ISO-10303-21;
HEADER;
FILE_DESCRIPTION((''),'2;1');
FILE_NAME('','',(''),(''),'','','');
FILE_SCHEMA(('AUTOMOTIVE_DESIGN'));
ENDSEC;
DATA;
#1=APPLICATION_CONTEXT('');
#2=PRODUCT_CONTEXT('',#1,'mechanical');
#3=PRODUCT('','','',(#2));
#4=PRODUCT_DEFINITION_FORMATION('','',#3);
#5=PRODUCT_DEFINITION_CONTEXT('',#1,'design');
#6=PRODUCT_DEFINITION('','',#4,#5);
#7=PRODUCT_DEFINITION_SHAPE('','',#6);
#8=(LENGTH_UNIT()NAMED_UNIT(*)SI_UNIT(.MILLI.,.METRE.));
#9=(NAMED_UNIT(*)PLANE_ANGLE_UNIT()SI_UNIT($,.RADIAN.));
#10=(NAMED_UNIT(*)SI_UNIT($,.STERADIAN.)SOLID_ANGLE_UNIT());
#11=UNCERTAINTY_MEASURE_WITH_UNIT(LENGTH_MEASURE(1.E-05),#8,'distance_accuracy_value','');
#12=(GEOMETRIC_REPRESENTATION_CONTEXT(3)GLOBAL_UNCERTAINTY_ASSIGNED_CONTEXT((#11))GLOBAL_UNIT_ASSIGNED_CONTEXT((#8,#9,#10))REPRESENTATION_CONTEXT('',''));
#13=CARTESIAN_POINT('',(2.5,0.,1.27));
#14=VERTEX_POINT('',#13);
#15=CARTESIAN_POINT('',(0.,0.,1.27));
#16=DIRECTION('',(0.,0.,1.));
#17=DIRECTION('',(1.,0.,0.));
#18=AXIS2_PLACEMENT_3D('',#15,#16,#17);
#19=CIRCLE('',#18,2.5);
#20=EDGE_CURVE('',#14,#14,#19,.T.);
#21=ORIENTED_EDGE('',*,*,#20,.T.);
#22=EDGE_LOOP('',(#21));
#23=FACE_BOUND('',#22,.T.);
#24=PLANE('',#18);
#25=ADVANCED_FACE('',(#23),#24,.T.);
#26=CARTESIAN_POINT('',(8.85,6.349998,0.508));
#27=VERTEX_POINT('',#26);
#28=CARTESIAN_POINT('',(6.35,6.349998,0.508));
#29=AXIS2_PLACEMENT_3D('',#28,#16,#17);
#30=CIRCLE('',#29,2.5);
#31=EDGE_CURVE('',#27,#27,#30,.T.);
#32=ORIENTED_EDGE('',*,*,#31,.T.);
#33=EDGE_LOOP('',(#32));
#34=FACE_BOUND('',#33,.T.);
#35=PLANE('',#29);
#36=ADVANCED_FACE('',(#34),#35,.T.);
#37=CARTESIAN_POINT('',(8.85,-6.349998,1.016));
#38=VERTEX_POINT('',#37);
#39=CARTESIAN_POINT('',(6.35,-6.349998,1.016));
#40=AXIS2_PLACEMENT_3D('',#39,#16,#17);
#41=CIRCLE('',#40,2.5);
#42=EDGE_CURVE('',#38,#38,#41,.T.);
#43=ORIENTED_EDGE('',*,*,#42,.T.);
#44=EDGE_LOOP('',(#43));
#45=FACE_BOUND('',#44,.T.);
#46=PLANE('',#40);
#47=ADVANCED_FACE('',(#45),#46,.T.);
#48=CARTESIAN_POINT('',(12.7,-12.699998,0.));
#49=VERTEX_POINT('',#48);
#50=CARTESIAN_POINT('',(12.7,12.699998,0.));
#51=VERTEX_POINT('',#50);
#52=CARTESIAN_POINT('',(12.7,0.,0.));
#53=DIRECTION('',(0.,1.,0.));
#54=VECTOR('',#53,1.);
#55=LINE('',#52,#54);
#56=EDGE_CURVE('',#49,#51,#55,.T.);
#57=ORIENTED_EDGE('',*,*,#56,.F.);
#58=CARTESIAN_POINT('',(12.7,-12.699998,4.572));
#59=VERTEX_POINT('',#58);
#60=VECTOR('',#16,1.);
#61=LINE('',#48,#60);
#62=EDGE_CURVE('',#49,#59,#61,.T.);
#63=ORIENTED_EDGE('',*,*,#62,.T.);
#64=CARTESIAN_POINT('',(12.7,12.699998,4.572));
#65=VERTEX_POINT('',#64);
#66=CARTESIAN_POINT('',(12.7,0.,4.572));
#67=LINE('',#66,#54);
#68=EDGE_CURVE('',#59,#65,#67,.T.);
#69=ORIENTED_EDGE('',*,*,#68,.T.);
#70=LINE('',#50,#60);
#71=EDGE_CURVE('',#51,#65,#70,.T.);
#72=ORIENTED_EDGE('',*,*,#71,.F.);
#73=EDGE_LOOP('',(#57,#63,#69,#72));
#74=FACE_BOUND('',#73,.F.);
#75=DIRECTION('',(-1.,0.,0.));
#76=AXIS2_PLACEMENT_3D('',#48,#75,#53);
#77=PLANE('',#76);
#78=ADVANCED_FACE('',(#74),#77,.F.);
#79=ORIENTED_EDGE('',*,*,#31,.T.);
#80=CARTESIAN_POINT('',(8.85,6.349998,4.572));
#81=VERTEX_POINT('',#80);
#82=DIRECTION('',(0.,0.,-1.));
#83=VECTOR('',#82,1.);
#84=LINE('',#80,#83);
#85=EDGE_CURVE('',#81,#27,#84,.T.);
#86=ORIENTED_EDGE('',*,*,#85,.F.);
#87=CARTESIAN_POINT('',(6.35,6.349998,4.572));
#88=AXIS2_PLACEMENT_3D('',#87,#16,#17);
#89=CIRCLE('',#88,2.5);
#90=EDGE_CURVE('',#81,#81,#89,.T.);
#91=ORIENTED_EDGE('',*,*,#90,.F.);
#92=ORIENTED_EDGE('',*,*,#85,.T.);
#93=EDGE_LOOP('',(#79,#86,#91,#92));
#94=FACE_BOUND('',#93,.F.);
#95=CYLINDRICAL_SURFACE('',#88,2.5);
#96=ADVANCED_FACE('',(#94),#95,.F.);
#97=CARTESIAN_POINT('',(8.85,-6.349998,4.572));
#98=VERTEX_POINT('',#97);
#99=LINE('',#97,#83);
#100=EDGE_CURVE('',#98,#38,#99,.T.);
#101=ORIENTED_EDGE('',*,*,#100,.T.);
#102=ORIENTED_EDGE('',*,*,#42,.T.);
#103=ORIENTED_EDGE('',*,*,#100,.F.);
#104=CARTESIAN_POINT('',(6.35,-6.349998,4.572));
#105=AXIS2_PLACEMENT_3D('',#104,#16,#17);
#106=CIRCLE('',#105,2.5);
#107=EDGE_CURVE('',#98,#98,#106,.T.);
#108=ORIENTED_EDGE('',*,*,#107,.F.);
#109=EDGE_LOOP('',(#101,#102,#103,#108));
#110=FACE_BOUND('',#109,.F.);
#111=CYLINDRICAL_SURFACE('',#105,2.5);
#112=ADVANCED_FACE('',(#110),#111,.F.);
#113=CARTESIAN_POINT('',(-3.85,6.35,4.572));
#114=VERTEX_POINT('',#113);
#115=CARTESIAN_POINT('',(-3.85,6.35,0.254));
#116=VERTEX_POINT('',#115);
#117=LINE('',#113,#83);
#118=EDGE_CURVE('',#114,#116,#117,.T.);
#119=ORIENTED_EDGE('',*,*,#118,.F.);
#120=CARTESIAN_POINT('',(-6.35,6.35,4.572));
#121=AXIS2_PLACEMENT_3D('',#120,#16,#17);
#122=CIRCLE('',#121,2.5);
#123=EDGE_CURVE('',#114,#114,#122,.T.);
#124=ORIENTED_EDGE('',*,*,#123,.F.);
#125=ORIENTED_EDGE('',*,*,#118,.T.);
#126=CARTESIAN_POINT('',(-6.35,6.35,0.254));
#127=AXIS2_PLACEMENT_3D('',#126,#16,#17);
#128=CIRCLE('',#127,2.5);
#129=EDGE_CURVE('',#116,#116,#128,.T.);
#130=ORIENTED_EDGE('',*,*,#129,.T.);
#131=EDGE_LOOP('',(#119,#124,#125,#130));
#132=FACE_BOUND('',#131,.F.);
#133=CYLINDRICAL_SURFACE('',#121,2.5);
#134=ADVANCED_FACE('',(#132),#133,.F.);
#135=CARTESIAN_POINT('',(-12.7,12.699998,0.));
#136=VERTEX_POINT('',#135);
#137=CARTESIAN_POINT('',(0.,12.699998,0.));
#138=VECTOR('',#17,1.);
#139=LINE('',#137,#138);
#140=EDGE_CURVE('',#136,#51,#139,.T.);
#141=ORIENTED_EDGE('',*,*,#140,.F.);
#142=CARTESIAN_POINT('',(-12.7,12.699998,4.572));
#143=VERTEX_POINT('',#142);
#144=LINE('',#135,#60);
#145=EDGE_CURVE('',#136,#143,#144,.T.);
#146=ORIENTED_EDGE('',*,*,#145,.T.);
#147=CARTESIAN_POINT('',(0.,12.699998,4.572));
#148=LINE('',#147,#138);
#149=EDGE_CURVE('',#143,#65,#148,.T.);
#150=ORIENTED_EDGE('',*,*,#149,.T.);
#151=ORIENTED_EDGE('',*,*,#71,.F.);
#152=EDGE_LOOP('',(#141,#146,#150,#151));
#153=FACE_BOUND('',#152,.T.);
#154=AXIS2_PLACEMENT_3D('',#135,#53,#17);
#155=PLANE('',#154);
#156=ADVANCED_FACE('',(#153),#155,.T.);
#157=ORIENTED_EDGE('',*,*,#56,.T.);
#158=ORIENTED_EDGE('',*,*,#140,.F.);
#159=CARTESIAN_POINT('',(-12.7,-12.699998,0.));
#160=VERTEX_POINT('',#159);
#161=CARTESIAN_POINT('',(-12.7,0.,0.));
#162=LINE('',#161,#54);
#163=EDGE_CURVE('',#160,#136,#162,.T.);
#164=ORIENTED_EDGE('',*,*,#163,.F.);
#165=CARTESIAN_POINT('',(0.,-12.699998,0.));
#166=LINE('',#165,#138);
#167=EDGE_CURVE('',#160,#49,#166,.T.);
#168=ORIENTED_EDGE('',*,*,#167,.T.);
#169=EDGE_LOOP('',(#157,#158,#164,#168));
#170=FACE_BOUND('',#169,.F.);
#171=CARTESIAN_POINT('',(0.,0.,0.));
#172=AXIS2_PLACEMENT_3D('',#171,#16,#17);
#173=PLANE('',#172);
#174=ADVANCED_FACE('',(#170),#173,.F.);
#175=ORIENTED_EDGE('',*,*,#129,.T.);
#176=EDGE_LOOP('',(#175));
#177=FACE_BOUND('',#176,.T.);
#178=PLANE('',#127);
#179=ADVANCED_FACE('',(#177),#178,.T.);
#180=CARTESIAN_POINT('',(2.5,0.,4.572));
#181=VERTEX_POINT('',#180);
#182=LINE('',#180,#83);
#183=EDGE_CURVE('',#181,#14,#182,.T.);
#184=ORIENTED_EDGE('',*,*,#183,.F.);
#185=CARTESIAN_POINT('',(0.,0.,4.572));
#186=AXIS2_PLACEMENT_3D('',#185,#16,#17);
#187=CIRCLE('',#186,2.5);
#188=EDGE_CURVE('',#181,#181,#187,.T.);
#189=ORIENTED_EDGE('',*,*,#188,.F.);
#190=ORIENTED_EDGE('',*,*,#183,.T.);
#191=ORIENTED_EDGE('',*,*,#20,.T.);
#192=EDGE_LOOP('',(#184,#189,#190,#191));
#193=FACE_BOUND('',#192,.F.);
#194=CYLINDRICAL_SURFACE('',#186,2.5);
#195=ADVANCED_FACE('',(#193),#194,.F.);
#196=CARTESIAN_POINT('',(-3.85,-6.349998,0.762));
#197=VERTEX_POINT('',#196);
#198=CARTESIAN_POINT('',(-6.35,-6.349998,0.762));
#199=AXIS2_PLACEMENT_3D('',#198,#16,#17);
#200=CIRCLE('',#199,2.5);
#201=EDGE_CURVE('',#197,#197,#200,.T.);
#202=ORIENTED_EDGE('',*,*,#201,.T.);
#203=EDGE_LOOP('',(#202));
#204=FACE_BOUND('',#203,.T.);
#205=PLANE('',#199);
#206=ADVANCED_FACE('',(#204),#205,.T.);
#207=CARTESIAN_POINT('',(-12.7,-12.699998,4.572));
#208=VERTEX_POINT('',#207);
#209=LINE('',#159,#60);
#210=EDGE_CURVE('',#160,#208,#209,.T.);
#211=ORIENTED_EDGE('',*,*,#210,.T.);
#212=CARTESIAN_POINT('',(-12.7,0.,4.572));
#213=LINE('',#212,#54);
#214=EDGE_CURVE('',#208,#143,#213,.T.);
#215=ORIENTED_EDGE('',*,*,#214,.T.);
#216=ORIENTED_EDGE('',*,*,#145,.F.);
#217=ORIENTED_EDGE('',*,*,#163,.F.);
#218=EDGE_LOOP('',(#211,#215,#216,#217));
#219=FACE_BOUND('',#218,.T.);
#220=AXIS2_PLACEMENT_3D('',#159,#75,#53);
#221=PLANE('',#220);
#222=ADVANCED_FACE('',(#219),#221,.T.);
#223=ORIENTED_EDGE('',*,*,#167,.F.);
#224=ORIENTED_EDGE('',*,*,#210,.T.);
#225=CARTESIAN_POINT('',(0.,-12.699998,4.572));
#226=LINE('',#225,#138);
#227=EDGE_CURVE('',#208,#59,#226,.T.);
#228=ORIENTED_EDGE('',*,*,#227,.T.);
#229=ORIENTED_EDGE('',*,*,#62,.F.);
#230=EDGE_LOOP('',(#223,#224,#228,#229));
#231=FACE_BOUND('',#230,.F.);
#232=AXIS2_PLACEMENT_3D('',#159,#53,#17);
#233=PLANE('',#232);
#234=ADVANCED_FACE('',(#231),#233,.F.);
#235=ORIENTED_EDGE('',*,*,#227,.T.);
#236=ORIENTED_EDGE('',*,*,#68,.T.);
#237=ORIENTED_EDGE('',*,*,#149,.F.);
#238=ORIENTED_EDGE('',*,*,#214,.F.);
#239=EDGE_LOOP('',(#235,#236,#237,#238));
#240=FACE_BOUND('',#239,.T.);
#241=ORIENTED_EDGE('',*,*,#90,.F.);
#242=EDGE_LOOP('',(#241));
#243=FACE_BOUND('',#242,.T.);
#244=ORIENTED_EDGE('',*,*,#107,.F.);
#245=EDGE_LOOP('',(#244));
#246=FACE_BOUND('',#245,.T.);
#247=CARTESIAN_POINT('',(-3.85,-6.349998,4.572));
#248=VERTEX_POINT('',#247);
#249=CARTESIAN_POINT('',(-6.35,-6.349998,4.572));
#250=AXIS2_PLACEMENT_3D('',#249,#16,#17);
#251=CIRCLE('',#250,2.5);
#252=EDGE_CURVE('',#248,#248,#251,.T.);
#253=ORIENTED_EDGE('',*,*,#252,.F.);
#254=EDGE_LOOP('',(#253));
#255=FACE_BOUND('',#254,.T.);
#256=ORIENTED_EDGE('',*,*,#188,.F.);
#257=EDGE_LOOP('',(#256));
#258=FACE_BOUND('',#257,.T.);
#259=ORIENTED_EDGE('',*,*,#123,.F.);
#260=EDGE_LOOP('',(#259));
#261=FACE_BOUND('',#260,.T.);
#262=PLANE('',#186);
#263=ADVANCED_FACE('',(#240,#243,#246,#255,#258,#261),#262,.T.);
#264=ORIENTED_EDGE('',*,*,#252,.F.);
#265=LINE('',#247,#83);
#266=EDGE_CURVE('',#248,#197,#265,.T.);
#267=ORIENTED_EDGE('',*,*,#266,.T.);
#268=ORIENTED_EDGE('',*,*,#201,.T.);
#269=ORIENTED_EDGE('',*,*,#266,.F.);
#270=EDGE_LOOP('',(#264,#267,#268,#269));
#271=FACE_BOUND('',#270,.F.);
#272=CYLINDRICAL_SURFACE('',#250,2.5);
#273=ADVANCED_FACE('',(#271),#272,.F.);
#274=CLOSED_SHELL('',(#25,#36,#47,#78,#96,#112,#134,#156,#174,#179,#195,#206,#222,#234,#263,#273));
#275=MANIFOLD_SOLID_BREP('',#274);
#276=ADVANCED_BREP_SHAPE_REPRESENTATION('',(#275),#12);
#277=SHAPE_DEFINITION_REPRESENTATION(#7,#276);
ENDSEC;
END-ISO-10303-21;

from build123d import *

# Parameters (mm, degrees)
F0_W      = 25.4
F0_H      = 25.399996
F1_DEPTH  = 4.572
F2_R      = 2.5
F3_DEPTH  = 4.318
F4_R      = 2.5
F5_DEPTH  = 4.064
F6_R      = 2.5
F7_DEPTH  = 3.81
F8_R      = 2.5
F9_DEPTH  = 3.556
F10_R     = 2.5
F11_DEPTH = 3.302


with BuildPart() as f1:
    # F0 (on Top) → F1 (new body)
    with BuildSketch(Plane.XY):
        Rectangle(F0_W, F0_H)
    extrude(amount=F1_DEPTH)

    # F2 (on face) → F3 (cut)
    with BuildSketch(Plane.XY.offset(4.572)):
        with Locations((-6.35, 6.35)):
            Circle(F2_R)
    extrude(amount=-F3_DEPTH, mode=Mode.SUBTRACT)

    # F4 (on face) → F5 (cut)
    with BuildSketch(Plane.XY.offset(4.572)):
        with Locations((6.35, 6.349998)):
            Circle(F4_R)
    extrude(amount=-F5_DEPTH, mode=Mode.SUBTRACT)

    # F6 (on face) → F7 (cut)
    with BuildSketch(Plane.XY.offset(4.572)):
        with Locations((-6.35, -6.349998)):
            Circle(F6_R)
    extrude(amount=-F7_DEPTH, mode=Mode.SUBTRACT)

    # F8 (on face) → F9 (cut)
    with BuildSketch(Plane.XY.offset(4.572)):
        with Locations((6.35, -6.349998)):
            Circle(F8_R)
    extrude(amount=-F9_DEPTH, mode=Mode.SUBTRACT)

    # F10 (on face) → F11 (cut)
    with BuildSketch(Plane.XY.offset(4.572)):
        Circle(F10_R)
    extrude(amount=-F11_DEPTH, mode=Mode.SUBTRACT)


solid = f1.part
